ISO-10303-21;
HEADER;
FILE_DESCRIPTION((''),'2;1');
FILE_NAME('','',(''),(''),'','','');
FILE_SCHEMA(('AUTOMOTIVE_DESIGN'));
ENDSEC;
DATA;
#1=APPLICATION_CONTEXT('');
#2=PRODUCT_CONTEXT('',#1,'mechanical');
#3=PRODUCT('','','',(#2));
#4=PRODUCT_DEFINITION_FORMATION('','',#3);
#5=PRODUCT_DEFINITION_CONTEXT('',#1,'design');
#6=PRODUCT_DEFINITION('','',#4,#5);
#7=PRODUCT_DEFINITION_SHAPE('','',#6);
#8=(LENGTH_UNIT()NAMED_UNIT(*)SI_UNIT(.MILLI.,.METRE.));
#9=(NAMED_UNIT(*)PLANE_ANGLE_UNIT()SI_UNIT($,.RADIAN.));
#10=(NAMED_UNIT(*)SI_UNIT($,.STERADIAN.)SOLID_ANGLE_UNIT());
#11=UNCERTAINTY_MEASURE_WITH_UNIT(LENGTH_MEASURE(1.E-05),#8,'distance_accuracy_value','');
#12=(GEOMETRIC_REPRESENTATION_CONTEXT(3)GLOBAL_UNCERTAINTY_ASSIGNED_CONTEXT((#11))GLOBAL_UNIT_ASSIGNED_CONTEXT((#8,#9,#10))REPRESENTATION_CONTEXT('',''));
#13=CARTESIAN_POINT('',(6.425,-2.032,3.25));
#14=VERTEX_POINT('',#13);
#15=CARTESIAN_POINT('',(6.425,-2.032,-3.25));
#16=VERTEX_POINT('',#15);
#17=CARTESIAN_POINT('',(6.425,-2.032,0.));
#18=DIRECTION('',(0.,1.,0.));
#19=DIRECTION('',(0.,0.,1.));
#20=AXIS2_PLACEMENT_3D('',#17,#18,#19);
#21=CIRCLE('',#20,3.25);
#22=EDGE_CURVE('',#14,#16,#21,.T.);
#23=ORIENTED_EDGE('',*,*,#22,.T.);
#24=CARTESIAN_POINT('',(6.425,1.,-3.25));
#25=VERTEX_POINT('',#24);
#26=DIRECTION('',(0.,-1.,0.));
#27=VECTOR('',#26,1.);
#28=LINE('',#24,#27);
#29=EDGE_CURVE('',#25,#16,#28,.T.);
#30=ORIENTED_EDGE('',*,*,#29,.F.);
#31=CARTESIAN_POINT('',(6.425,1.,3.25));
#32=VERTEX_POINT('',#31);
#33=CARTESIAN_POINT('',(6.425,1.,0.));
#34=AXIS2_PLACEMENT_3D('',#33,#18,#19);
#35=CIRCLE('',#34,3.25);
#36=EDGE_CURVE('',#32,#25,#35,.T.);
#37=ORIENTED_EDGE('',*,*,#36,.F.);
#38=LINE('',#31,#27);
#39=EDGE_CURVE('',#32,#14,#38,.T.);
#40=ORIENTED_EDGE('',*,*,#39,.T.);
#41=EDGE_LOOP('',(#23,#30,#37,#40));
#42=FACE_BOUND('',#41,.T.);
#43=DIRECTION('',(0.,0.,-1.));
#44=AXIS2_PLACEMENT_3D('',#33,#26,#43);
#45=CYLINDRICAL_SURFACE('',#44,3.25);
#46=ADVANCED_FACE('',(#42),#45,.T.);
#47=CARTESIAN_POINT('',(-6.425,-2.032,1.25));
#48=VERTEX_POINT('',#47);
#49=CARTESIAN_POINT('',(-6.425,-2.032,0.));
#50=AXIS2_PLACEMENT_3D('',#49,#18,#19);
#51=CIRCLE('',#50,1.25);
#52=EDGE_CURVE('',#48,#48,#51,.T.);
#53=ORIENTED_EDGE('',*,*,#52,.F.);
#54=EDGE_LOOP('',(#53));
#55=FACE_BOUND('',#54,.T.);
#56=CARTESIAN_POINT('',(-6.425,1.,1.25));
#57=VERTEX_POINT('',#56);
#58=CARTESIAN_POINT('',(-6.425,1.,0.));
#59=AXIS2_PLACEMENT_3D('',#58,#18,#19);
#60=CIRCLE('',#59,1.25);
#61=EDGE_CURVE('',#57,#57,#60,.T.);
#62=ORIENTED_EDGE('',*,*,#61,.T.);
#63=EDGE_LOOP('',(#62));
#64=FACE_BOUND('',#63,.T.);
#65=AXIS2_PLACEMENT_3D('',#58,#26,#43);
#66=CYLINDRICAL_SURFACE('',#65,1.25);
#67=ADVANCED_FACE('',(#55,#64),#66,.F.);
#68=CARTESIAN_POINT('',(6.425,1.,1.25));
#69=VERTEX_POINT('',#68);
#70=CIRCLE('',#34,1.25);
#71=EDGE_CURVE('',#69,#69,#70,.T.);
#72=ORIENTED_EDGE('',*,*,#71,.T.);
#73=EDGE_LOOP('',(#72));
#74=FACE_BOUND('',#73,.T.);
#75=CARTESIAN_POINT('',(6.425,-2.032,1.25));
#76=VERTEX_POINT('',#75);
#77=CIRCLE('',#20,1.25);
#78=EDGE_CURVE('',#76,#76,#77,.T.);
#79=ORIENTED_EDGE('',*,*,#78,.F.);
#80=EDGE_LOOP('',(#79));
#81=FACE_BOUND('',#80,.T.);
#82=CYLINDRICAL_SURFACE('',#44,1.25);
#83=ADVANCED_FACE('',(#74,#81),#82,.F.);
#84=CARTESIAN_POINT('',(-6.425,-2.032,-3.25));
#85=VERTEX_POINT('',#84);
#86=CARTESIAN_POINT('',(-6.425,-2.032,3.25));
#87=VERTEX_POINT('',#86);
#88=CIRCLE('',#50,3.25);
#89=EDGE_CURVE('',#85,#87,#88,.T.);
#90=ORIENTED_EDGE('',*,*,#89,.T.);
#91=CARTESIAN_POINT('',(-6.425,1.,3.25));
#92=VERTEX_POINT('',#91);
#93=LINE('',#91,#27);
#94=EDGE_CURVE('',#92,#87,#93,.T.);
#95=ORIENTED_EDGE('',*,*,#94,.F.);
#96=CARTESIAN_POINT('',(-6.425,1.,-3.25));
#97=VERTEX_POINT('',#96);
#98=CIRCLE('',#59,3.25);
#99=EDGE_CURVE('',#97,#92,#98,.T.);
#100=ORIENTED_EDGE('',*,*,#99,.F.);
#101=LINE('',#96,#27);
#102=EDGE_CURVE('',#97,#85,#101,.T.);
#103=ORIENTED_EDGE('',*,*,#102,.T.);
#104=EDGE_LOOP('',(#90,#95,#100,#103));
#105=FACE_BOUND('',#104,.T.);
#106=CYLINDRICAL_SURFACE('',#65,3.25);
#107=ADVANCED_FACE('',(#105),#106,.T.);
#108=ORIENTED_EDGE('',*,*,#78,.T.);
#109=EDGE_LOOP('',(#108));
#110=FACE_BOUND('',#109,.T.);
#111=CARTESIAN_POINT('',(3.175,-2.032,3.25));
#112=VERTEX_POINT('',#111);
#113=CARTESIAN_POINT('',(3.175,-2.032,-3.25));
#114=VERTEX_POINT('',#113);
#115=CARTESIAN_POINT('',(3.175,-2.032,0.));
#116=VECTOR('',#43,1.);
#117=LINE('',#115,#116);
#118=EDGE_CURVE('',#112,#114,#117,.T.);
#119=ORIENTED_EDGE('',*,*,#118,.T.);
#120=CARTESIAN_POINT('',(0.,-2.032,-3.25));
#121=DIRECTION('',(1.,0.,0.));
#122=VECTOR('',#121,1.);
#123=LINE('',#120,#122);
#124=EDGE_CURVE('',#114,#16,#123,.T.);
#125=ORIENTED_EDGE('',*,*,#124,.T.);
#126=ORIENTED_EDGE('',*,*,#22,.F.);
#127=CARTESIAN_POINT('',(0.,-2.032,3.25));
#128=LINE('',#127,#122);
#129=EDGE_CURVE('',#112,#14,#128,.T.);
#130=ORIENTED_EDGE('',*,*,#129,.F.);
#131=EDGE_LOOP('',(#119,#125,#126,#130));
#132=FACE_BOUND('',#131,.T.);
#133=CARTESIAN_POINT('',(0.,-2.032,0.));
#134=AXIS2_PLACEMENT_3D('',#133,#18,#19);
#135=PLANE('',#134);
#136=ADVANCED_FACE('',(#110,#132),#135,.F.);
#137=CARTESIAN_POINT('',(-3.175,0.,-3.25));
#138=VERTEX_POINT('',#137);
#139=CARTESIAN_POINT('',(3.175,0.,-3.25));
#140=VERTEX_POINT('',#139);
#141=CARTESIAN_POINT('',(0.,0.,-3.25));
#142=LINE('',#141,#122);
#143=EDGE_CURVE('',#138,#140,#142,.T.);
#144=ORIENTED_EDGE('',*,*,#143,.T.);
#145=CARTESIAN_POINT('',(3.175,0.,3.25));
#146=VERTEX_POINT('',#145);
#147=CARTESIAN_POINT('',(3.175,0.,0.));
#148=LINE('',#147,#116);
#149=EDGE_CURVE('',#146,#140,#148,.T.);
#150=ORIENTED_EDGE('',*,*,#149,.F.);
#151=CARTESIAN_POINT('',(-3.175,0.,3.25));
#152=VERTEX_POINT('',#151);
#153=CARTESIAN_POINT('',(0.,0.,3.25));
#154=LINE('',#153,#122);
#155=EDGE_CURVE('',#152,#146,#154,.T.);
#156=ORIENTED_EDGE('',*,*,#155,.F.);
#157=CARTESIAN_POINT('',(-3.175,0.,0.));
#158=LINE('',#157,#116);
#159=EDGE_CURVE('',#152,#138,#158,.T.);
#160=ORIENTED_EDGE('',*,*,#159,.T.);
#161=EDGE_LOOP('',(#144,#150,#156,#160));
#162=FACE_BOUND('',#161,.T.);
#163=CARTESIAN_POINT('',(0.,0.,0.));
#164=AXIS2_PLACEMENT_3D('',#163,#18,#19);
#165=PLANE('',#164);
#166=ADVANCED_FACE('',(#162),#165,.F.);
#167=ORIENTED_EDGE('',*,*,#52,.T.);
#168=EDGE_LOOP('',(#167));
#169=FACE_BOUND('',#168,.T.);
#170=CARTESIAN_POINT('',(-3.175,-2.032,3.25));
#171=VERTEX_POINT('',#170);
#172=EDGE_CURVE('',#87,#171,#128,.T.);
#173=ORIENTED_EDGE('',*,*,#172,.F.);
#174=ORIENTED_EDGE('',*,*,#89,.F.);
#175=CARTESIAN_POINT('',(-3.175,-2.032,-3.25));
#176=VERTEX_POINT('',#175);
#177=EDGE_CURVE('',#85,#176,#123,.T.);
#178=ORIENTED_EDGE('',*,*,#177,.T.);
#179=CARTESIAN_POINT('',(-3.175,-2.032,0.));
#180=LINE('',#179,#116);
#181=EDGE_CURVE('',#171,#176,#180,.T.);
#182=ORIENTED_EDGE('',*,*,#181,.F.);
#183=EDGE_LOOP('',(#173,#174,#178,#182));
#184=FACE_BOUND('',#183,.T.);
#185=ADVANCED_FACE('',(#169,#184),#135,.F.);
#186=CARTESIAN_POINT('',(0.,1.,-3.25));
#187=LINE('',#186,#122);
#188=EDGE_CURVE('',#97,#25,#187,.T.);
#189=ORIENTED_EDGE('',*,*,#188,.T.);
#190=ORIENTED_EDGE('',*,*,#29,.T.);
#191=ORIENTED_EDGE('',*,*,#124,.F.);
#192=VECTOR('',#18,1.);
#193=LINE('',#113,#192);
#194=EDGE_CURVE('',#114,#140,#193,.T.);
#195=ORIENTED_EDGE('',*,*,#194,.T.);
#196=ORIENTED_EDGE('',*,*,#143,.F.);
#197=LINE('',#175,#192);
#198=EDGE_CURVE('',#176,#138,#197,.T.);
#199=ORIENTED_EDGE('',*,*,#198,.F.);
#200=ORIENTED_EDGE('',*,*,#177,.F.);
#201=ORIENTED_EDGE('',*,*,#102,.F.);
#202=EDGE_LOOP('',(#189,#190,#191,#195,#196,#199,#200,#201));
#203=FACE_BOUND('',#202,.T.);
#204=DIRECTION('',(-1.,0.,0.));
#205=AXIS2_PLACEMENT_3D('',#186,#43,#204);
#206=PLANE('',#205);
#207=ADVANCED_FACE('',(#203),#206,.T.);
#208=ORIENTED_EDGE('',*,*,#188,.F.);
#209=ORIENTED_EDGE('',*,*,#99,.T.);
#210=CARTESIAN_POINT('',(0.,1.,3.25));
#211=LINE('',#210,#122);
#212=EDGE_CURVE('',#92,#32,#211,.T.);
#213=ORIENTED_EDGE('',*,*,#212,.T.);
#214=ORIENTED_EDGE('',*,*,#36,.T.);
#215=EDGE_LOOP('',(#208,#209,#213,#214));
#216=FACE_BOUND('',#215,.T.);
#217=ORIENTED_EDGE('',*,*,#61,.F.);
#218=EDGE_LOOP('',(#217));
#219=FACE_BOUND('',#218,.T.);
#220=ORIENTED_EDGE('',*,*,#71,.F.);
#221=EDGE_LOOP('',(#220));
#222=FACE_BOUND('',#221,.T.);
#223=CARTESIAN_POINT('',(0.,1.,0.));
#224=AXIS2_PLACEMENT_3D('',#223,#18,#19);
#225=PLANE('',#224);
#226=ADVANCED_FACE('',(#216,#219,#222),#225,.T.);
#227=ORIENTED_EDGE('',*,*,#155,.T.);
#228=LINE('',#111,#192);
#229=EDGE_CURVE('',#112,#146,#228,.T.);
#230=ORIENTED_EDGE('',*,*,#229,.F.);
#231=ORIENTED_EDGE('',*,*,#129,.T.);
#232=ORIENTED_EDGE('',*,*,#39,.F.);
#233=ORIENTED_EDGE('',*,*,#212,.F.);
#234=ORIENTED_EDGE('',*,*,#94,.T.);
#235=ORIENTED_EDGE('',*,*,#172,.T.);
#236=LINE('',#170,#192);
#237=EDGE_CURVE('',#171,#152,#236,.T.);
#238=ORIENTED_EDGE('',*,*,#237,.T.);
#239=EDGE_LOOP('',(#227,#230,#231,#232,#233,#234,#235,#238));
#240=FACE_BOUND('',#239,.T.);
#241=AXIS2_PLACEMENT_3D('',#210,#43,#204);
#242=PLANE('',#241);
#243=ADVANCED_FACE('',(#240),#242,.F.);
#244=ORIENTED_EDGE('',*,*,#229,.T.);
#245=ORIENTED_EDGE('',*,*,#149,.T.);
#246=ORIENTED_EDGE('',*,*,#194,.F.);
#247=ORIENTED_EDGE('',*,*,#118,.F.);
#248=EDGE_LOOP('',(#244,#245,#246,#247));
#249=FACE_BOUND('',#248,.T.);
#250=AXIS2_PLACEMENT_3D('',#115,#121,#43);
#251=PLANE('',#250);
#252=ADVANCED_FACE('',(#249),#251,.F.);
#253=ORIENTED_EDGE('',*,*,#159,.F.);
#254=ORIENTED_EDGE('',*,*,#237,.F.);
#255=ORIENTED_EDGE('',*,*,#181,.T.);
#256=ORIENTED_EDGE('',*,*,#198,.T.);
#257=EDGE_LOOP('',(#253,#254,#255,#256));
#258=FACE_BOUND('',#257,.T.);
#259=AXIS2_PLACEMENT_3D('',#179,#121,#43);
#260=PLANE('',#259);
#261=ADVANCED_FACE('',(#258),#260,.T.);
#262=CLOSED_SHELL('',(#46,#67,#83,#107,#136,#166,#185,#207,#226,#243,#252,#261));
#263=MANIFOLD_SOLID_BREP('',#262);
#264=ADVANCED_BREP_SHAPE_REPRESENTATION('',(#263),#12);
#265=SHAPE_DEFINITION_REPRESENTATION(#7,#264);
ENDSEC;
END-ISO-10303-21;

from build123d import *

# Parameters (mm, degrees)
SKETCH2_R           = 1.25
BOSS_EXTRUDE1_DEPTH = 1
BOSS_EXTRUDE2_START = -2.032
SKETCH2_3_R         = 1.25
BOSS_EXTRUDE2_DEPTH = 2.032


with BuildPart() as part:
    # Sketch2 → Boss-Extrude1 (new body)
    with BuildSketch(Plane(origin=(0, 0, 0), x_dir=(1, 0, 0), z_dir=(0, 1, 0))):
        with BuildLine():
            ThreePointArc((-6.425, 3.25), (-9.675, 0), (-6.425, -3.25))
            Line((-6.425, -3.25), (6.425, -3.25))
            ThreePointArc((6.425, -3.25), (9.675, 0), (6.425, 3.25))
            Line((6.425, 3.25), (-6.425, 3.25))
        make_face()
        with Locations((-6.425, 0)):
            Circle(SKETCH2_R, mode=Mode.SUBTRACT)
        with Locations((6.425, 0)):
            Circle(SKETCH2_R, mode=Mode.SUBTRACT)
    extrude(amount=BOSS_EXTRUDE1_DEPTH)

    # Sketch2<3> → Boss-Extrude2 (add)
    # profile 1 of 2: a face of its own
    with BuildSketch(Plane(origin=(0, 0, 0), x_dir=(1, 0, 0), z_dir=(0, 1, 0)).offset(BOSS_EXTRUDE2_START)):
        with BuildLine():
            Line((-3.175, 3.25), (-6.425, 3.25))
            ThreePointArc((-6.425, 3.25), (-9.675, 0), (-6.425, -3.25))
            Line((-6.425, -3.25), (-3.175, -3.25))
            Line((-3.175, -3.25), (-3.175, 3.25))
        make_face()
        with Locations((-6.425, 0)):
            Circle(SKETCH2_3_R, mode=Mode.SUBTRACT)
    # profile 2 of 2: a face of its own
    with BuildSketch(Plane(origin=(0, 0, 0), x_dir=(1, 0, 0), z_dir=(0, 1, 0)).offset(BOSS_EXTRUDE2_START)):
        with BuildLine():
            Line((6.425, 3.25), (3.175, 3.25))
            Line((3.175, 3.25), (3.175, -3.25))
            Line((3.175, -3.25), (6.425, -3.25))
            ThreePointArc((6.425, -3.25), (9.675, 0), (6.425, 3.25))
        make_face()
        with Locations((6.425, 0)):
            Circle(SKETCH2_3_R, mode=Mode.SUBTRACT)
    extrude(amount=BOSS_EXTRUDE2_DEPTH)


solid = part.part
